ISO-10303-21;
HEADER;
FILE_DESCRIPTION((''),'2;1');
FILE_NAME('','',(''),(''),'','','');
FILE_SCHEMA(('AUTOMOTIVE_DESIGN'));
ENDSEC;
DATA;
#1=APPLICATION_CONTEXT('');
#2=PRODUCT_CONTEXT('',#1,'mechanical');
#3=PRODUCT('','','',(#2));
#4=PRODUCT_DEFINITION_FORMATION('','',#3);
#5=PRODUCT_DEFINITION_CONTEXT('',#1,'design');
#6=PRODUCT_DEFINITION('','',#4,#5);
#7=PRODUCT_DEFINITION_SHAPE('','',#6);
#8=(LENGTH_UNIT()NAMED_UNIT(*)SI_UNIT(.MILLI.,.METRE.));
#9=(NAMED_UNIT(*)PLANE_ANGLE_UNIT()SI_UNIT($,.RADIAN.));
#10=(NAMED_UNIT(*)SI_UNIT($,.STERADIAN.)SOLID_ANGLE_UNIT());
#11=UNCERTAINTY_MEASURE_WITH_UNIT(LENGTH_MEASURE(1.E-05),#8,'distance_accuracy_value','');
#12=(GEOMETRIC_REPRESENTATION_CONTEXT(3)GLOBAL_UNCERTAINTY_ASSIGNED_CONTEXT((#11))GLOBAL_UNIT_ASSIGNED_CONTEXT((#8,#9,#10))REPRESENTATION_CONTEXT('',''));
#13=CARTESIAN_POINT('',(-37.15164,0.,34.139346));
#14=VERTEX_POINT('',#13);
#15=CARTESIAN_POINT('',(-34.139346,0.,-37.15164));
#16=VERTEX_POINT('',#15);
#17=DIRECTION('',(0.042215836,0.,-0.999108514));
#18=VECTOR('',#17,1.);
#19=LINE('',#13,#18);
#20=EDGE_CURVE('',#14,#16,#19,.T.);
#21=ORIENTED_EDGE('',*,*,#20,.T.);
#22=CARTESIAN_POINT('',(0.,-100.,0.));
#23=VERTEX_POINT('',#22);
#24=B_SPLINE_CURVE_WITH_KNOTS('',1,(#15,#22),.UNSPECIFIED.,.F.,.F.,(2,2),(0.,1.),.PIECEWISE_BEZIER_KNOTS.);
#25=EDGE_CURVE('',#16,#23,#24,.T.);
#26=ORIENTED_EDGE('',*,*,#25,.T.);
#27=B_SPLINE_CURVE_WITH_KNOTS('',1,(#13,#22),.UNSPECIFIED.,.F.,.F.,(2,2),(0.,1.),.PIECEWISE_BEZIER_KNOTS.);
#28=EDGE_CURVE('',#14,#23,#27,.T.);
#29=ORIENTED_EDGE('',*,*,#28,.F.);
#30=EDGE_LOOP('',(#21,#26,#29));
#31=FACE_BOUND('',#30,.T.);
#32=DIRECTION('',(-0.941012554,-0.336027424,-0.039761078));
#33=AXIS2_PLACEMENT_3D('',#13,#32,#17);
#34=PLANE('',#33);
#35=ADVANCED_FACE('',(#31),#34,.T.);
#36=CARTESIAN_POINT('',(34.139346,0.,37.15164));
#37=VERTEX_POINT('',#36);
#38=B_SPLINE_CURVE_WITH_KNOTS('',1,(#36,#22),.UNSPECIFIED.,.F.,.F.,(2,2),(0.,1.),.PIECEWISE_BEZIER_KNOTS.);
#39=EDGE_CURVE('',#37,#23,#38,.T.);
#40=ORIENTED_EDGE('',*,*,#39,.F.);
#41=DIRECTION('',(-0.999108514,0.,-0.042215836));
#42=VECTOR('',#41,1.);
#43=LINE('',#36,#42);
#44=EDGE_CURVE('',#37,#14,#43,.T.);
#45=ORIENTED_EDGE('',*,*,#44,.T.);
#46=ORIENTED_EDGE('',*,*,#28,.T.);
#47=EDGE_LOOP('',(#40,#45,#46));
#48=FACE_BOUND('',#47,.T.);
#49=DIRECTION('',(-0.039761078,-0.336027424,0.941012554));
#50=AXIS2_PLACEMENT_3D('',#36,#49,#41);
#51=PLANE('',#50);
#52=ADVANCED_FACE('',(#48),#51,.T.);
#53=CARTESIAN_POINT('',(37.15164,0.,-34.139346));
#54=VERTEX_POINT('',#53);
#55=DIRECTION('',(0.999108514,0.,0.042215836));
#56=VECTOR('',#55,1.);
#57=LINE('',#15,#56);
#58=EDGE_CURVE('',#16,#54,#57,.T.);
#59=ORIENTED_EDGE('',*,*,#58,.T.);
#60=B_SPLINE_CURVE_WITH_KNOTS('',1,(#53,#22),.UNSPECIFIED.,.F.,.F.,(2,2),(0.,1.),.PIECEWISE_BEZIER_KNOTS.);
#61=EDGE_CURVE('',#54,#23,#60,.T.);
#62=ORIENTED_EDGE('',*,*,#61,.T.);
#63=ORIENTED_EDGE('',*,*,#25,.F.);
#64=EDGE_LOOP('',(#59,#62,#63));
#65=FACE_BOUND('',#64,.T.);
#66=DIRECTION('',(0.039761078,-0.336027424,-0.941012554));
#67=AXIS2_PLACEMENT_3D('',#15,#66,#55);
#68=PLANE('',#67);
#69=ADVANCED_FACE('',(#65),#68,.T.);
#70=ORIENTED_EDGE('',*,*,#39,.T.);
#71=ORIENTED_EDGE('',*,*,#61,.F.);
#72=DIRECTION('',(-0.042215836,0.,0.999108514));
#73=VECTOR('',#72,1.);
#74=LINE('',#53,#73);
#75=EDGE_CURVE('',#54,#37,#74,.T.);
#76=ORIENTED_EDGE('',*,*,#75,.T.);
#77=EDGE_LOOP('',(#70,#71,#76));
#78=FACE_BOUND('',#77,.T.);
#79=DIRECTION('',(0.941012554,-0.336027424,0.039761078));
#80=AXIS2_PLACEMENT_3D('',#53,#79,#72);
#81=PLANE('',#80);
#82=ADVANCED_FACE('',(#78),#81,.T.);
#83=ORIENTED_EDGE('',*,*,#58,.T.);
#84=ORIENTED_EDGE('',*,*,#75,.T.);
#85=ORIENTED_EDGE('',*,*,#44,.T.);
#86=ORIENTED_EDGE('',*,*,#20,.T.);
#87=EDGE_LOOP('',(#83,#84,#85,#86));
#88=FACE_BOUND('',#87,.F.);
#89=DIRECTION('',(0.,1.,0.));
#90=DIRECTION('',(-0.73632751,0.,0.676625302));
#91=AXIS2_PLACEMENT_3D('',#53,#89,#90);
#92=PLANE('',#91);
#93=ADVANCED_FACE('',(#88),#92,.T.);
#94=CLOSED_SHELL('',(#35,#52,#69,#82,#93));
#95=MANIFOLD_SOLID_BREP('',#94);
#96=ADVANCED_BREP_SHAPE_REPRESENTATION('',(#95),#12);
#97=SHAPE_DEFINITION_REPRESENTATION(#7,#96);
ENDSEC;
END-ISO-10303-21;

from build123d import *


with BuildPart() as f3:
    # F0 (on Front) → F3 section 0
    with BuildSketch(Plane.XZ, mode=Mode.PRIVATE) as f3_s0:
        Polygon((37.15164, -34.139346), (34.139346, 37.15164), (-37.15164, 34.139346), (-34.139346, -37.15164), align=None)
    loft([f3_s0.sketch, Vertex(0, -100, 0)])


solid = f3.part
